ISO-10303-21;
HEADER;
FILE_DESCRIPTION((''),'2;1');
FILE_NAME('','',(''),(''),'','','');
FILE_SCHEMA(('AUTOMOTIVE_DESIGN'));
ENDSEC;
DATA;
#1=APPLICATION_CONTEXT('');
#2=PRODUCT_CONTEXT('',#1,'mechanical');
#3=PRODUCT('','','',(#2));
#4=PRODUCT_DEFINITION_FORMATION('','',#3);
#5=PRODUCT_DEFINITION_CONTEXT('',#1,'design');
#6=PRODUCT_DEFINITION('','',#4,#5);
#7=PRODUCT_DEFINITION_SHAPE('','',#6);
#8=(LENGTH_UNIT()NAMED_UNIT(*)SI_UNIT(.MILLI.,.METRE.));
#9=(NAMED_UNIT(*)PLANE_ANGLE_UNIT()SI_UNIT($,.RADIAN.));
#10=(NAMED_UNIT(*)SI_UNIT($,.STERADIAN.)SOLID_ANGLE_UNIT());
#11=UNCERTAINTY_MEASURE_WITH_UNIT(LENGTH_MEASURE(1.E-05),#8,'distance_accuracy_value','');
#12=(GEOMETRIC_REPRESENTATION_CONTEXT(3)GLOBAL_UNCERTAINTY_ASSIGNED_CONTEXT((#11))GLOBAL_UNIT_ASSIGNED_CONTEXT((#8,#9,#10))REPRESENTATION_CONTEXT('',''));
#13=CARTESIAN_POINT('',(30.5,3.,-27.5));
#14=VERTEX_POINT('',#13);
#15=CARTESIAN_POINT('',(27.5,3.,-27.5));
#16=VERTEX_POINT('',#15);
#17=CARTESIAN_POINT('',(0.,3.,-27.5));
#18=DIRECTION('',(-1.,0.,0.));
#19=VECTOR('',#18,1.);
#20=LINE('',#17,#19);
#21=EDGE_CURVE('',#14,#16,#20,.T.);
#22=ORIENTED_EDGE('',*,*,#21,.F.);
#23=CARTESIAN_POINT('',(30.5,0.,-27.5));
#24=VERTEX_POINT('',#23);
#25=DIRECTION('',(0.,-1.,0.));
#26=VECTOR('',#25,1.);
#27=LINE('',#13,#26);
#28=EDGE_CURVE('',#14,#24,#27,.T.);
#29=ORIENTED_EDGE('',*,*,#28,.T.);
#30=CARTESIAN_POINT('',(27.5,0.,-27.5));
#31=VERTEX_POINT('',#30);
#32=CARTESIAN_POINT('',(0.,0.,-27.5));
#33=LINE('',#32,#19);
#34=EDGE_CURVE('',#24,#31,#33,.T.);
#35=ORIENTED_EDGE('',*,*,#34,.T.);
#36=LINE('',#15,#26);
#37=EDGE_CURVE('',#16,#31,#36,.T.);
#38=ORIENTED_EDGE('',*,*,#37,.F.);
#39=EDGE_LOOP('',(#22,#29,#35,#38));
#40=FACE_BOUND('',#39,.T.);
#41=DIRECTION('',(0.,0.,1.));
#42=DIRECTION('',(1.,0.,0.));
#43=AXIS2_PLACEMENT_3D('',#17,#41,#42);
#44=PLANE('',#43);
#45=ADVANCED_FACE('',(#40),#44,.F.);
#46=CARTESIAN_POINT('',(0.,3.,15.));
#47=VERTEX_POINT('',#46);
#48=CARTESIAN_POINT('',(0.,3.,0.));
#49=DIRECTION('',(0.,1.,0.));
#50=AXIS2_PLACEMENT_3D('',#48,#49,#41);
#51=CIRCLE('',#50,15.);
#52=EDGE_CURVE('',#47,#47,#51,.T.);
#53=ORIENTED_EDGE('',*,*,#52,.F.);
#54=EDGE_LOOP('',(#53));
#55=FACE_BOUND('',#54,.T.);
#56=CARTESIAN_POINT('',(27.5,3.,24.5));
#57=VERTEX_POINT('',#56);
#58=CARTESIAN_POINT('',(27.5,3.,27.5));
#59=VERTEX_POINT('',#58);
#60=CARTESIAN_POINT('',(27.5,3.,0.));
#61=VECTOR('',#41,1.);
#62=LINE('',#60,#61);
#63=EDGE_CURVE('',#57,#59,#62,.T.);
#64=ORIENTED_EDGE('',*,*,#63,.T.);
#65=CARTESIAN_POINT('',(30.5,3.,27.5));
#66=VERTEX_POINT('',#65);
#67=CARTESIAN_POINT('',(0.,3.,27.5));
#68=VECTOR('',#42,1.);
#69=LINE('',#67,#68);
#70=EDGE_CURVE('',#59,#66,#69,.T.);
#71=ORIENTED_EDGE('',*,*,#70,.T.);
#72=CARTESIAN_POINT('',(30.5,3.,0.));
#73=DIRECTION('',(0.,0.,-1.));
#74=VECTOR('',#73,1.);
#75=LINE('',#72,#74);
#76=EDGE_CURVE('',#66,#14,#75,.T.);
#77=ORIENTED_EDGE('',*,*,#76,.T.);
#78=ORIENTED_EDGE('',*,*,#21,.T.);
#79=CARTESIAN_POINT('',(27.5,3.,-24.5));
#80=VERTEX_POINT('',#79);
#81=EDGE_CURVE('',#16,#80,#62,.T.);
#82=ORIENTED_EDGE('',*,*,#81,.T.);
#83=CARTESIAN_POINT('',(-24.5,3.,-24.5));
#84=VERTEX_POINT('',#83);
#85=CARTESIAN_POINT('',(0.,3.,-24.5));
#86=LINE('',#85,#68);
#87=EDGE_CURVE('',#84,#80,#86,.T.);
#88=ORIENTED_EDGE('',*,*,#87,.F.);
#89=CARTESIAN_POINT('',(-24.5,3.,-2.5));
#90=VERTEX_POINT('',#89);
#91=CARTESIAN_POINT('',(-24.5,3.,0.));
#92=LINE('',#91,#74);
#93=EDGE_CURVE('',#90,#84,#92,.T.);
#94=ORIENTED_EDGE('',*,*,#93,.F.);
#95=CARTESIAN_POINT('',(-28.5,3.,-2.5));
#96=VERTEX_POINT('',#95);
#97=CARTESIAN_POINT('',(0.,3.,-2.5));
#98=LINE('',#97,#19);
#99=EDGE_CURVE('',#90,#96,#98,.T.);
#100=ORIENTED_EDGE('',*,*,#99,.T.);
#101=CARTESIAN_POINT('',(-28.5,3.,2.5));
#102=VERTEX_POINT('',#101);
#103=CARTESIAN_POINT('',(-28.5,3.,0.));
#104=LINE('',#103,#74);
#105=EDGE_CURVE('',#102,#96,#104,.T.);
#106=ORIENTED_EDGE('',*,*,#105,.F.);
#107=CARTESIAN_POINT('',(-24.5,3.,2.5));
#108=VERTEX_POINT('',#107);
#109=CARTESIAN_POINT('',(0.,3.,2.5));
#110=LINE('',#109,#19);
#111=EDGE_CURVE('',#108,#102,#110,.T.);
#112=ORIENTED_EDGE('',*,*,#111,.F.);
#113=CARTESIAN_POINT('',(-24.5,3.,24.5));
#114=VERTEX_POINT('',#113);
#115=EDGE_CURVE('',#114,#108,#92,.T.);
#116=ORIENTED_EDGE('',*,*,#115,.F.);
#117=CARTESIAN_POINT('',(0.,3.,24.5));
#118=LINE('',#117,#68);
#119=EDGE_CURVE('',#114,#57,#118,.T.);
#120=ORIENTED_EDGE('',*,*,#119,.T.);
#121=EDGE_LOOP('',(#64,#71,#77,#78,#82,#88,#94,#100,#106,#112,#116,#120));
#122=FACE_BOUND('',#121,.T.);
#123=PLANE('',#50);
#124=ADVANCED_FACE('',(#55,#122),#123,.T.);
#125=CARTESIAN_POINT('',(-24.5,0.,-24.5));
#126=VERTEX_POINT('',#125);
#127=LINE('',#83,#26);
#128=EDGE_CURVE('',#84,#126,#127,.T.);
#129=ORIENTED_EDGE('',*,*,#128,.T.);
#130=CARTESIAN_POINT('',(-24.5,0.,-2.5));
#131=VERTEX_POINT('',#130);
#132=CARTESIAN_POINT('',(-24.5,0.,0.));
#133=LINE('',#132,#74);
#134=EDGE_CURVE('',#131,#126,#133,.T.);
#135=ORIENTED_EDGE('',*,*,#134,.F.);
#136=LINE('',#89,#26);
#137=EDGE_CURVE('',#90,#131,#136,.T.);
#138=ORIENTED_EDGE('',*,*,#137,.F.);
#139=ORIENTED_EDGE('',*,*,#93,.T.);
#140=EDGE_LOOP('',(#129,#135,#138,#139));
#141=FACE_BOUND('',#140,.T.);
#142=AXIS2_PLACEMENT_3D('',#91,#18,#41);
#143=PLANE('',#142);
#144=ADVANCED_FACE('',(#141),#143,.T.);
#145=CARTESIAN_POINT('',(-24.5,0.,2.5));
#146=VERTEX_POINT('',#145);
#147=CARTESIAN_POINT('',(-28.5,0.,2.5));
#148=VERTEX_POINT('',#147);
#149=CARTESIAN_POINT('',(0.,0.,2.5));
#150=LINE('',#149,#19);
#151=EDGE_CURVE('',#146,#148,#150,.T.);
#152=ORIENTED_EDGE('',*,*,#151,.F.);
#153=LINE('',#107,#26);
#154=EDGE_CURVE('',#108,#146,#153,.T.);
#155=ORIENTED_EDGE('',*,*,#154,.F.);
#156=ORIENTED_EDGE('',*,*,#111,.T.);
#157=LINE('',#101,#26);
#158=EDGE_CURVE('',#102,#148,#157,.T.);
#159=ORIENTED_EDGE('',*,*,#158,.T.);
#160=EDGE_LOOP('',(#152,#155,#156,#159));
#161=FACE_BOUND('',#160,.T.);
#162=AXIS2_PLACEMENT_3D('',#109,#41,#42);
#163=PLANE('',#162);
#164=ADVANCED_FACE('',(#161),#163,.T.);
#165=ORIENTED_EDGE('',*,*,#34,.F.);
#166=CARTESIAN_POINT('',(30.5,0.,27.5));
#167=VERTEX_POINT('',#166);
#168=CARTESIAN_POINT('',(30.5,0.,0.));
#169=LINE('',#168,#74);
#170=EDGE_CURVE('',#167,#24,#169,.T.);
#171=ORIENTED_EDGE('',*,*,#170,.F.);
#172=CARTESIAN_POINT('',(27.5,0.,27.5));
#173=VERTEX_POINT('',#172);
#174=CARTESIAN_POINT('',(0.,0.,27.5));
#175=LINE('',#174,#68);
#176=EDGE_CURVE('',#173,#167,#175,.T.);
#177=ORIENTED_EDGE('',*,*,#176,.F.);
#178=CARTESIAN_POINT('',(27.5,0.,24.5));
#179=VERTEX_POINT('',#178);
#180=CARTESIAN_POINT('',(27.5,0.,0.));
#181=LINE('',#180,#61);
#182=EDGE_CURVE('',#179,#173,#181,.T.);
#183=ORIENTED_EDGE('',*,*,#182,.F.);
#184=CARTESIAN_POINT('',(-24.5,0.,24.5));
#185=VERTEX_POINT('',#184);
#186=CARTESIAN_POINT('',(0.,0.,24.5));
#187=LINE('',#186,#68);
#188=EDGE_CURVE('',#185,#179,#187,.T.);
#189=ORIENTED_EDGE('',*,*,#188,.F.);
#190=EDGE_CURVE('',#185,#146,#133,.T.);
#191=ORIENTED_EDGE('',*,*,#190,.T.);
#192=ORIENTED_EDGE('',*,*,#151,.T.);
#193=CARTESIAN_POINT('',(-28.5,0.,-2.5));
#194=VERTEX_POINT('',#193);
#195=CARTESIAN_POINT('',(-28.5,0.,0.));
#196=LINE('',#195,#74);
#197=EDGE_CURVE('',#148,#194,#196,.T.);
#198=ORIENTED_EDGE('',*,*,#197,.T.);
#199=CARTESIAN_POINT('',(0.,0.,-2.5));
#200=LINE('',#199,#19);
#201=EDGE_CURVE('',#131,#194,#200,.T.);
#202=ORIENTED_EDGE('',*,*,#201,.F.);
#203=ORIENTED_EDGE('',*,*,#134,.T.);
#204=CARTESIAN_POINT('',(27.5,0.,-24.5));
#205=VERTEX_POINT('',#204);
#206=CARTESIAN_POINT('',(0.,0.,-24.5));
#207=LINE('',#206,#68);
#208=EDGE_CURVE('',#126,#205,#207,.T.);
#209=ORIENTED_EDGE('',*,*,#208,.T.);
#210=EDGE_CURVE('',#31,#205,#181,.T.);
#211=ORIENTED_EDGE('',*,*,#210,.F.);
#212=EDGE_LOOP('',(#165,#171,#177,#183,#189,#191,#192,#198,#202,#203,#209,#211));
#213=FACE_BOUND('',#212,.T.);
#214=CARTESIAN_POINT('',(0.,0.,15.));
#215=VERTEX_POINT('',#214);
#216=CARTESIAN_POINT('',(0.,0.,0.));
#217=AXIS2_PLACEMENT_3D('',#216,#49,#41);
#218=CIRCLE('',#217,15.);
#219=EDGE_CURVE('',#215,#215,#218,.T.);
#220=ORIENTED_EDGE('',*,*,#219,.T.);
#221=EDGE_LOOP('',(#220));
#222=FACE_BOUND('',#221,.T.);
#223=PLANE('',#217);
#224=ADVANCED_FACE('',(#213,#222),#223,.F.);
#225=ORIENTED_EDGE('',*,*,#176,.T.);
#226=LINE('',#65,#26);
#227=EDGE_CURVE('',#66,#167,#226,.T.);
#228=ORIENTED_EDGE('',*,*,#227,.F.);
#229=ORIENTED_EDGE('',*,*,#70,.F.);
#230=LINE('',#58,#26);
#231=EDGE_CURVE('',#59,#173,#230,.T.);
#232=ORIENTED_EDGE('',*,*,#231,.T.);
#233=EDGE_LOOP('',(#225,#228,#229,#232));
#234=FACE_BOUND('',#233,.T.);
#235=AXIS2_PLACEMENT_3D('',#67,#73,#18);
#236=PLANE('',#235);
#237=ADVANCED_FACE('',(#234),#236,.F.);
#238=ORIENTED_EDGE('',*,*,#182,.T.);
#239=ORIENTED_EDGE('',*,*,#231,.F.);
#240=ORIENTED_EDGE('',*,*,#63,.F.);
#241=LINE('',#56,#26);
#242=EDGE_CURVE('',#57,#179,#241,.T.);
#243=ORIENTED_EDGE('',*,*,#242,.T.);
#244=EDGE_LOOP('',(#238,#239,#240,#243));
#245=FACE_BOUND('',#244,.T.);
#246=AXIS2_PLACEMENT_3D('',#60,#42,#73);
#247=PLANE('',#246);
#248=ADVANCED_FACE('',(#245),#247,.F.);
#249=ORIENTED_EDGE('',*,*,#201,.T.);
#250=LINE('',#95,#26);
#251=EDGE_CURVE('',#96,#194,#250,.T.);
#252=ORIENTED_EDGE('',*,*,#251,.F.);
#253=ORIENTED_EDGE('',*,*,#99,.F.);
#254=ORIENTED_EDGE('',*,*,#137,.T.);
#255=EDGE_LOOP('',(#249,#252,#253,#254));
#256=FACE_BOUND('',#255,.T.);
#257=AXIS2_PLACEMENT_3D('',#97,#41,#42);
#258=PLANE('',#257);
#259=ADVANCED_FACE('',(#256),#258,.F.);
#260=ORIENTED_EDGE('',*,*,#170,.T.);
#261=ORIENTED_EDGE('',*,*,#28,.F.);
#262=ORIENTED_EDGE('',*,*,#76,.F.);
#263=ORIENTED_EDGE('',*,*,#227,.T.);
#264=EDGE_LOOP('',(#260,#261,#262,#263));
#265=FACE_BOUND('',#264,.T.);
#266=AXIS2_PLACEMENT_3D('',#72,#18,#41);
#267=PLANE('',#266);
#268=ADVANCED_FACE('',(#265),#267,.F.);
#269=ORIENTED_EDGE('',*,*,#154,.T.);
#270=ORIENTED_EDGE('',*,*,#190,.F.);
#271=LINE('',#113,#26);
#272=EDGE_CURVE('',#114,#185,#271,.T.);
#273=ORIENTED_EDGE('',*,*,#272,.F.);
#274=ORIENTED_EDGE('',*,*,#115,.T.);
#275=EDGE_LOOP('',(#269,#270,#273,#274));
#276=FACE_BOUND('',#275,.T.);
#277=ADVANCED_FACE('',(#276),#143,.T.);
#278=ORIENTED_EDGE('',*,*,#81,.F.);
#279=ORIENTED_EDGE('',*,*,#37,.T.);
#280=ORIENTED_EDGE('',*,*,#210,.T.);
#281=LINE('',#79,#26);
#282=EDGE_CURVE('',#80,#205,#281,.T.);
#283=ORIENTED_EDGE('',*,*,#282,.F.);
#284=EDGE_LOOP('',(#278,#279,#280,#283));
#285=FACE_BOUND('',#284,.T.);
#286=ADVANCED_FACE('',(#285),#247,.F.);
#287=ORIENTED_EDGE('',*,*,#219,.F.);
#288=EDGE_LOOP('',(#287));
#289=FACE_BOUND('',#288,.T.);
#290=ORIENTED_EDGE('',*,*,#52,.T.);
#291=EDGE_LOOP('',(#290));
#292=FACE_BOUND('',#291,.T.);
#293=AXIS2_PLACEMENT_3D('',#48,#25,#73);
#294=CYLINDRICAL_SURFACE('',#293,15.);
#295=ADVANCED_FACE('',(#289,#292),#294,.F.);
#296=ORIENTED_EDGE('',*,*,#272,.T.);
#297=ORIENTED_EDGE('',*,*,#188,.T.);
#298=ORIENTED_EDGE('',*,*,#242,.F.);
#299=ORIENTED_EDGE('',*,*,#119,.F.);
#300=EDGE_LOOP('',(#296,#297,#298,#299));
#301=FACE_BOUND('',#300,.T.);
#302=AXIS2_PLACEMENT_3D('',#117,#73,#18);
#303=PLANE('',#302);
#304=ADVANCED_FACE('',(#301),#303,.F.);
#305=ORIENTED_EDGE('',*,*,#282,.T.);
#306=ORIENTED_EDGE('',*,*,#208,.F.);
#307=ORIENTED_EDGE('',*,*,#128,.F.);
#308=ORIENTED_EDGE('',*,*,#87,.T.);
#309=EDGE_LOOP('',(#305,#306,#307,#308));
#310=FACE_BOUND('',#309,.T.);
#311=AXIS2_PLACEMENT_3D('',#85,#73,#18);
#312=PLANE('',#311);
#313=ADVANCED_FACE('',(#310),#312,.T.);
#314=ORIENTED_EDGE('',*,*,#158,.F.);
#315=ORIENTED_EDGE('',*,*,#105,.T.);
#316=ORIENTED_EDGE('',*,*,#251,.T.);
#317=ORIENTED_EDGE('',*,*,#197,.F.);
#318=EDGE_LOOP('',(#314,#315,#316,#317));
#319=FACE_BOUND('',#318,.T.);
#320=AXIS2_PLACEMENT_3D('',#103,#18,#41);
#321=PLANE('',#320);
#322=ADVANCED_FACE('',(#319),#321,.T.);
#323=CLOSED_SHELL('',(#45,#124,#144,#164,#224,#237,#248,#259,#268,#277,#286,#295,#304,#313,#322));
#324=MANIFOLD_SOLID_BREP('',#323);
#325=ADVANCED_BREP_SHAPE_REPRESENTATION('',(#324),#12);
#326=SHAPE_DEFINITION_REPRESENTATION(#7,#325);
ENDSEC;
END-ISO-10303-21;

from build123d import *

# Parameters (mm, degrees)
SKETCH1_W           = 49
SKETCH1_H           = 49
SKETCH1_R           = 15
SKETCH1_W_2         = 4
SKETCH1_H_2         = 5
SKETCH1_W_3         = 3
BOSS_EXTRUDE1_DEPTH = 3


with BuildPart() as part:
    # Sketch1 → Boss-Extrude1 (new body)
    with BuildSketch(Plane(origin=(0, 0, 0), x_dir=(1, 0, 0), z_dir=(0, 1, 0))):
        Rectangle(SKETCH1_W, SKETCH1_H)
        Circle(SKETCH1_R, mode=Mode.SUBTRACT)
        with Locations((-26.5, 0)):
            Rectangle(SKETCH1_W_2, SKETCH1_H_2)
        with Locations((26, 0)):
            Rectangle(SKETCH1_W_3, SKETCH1_H)
        Polygon((30.5, 27.5), (27.5, 27.5), (27.5, 24.5), (27.5, -24.5), (27.5, -27.5), (30.5, -27.5), align=None)
    extrude(amount=BOSS_EXTRUDE1_DEPTH)


solid = part.part
